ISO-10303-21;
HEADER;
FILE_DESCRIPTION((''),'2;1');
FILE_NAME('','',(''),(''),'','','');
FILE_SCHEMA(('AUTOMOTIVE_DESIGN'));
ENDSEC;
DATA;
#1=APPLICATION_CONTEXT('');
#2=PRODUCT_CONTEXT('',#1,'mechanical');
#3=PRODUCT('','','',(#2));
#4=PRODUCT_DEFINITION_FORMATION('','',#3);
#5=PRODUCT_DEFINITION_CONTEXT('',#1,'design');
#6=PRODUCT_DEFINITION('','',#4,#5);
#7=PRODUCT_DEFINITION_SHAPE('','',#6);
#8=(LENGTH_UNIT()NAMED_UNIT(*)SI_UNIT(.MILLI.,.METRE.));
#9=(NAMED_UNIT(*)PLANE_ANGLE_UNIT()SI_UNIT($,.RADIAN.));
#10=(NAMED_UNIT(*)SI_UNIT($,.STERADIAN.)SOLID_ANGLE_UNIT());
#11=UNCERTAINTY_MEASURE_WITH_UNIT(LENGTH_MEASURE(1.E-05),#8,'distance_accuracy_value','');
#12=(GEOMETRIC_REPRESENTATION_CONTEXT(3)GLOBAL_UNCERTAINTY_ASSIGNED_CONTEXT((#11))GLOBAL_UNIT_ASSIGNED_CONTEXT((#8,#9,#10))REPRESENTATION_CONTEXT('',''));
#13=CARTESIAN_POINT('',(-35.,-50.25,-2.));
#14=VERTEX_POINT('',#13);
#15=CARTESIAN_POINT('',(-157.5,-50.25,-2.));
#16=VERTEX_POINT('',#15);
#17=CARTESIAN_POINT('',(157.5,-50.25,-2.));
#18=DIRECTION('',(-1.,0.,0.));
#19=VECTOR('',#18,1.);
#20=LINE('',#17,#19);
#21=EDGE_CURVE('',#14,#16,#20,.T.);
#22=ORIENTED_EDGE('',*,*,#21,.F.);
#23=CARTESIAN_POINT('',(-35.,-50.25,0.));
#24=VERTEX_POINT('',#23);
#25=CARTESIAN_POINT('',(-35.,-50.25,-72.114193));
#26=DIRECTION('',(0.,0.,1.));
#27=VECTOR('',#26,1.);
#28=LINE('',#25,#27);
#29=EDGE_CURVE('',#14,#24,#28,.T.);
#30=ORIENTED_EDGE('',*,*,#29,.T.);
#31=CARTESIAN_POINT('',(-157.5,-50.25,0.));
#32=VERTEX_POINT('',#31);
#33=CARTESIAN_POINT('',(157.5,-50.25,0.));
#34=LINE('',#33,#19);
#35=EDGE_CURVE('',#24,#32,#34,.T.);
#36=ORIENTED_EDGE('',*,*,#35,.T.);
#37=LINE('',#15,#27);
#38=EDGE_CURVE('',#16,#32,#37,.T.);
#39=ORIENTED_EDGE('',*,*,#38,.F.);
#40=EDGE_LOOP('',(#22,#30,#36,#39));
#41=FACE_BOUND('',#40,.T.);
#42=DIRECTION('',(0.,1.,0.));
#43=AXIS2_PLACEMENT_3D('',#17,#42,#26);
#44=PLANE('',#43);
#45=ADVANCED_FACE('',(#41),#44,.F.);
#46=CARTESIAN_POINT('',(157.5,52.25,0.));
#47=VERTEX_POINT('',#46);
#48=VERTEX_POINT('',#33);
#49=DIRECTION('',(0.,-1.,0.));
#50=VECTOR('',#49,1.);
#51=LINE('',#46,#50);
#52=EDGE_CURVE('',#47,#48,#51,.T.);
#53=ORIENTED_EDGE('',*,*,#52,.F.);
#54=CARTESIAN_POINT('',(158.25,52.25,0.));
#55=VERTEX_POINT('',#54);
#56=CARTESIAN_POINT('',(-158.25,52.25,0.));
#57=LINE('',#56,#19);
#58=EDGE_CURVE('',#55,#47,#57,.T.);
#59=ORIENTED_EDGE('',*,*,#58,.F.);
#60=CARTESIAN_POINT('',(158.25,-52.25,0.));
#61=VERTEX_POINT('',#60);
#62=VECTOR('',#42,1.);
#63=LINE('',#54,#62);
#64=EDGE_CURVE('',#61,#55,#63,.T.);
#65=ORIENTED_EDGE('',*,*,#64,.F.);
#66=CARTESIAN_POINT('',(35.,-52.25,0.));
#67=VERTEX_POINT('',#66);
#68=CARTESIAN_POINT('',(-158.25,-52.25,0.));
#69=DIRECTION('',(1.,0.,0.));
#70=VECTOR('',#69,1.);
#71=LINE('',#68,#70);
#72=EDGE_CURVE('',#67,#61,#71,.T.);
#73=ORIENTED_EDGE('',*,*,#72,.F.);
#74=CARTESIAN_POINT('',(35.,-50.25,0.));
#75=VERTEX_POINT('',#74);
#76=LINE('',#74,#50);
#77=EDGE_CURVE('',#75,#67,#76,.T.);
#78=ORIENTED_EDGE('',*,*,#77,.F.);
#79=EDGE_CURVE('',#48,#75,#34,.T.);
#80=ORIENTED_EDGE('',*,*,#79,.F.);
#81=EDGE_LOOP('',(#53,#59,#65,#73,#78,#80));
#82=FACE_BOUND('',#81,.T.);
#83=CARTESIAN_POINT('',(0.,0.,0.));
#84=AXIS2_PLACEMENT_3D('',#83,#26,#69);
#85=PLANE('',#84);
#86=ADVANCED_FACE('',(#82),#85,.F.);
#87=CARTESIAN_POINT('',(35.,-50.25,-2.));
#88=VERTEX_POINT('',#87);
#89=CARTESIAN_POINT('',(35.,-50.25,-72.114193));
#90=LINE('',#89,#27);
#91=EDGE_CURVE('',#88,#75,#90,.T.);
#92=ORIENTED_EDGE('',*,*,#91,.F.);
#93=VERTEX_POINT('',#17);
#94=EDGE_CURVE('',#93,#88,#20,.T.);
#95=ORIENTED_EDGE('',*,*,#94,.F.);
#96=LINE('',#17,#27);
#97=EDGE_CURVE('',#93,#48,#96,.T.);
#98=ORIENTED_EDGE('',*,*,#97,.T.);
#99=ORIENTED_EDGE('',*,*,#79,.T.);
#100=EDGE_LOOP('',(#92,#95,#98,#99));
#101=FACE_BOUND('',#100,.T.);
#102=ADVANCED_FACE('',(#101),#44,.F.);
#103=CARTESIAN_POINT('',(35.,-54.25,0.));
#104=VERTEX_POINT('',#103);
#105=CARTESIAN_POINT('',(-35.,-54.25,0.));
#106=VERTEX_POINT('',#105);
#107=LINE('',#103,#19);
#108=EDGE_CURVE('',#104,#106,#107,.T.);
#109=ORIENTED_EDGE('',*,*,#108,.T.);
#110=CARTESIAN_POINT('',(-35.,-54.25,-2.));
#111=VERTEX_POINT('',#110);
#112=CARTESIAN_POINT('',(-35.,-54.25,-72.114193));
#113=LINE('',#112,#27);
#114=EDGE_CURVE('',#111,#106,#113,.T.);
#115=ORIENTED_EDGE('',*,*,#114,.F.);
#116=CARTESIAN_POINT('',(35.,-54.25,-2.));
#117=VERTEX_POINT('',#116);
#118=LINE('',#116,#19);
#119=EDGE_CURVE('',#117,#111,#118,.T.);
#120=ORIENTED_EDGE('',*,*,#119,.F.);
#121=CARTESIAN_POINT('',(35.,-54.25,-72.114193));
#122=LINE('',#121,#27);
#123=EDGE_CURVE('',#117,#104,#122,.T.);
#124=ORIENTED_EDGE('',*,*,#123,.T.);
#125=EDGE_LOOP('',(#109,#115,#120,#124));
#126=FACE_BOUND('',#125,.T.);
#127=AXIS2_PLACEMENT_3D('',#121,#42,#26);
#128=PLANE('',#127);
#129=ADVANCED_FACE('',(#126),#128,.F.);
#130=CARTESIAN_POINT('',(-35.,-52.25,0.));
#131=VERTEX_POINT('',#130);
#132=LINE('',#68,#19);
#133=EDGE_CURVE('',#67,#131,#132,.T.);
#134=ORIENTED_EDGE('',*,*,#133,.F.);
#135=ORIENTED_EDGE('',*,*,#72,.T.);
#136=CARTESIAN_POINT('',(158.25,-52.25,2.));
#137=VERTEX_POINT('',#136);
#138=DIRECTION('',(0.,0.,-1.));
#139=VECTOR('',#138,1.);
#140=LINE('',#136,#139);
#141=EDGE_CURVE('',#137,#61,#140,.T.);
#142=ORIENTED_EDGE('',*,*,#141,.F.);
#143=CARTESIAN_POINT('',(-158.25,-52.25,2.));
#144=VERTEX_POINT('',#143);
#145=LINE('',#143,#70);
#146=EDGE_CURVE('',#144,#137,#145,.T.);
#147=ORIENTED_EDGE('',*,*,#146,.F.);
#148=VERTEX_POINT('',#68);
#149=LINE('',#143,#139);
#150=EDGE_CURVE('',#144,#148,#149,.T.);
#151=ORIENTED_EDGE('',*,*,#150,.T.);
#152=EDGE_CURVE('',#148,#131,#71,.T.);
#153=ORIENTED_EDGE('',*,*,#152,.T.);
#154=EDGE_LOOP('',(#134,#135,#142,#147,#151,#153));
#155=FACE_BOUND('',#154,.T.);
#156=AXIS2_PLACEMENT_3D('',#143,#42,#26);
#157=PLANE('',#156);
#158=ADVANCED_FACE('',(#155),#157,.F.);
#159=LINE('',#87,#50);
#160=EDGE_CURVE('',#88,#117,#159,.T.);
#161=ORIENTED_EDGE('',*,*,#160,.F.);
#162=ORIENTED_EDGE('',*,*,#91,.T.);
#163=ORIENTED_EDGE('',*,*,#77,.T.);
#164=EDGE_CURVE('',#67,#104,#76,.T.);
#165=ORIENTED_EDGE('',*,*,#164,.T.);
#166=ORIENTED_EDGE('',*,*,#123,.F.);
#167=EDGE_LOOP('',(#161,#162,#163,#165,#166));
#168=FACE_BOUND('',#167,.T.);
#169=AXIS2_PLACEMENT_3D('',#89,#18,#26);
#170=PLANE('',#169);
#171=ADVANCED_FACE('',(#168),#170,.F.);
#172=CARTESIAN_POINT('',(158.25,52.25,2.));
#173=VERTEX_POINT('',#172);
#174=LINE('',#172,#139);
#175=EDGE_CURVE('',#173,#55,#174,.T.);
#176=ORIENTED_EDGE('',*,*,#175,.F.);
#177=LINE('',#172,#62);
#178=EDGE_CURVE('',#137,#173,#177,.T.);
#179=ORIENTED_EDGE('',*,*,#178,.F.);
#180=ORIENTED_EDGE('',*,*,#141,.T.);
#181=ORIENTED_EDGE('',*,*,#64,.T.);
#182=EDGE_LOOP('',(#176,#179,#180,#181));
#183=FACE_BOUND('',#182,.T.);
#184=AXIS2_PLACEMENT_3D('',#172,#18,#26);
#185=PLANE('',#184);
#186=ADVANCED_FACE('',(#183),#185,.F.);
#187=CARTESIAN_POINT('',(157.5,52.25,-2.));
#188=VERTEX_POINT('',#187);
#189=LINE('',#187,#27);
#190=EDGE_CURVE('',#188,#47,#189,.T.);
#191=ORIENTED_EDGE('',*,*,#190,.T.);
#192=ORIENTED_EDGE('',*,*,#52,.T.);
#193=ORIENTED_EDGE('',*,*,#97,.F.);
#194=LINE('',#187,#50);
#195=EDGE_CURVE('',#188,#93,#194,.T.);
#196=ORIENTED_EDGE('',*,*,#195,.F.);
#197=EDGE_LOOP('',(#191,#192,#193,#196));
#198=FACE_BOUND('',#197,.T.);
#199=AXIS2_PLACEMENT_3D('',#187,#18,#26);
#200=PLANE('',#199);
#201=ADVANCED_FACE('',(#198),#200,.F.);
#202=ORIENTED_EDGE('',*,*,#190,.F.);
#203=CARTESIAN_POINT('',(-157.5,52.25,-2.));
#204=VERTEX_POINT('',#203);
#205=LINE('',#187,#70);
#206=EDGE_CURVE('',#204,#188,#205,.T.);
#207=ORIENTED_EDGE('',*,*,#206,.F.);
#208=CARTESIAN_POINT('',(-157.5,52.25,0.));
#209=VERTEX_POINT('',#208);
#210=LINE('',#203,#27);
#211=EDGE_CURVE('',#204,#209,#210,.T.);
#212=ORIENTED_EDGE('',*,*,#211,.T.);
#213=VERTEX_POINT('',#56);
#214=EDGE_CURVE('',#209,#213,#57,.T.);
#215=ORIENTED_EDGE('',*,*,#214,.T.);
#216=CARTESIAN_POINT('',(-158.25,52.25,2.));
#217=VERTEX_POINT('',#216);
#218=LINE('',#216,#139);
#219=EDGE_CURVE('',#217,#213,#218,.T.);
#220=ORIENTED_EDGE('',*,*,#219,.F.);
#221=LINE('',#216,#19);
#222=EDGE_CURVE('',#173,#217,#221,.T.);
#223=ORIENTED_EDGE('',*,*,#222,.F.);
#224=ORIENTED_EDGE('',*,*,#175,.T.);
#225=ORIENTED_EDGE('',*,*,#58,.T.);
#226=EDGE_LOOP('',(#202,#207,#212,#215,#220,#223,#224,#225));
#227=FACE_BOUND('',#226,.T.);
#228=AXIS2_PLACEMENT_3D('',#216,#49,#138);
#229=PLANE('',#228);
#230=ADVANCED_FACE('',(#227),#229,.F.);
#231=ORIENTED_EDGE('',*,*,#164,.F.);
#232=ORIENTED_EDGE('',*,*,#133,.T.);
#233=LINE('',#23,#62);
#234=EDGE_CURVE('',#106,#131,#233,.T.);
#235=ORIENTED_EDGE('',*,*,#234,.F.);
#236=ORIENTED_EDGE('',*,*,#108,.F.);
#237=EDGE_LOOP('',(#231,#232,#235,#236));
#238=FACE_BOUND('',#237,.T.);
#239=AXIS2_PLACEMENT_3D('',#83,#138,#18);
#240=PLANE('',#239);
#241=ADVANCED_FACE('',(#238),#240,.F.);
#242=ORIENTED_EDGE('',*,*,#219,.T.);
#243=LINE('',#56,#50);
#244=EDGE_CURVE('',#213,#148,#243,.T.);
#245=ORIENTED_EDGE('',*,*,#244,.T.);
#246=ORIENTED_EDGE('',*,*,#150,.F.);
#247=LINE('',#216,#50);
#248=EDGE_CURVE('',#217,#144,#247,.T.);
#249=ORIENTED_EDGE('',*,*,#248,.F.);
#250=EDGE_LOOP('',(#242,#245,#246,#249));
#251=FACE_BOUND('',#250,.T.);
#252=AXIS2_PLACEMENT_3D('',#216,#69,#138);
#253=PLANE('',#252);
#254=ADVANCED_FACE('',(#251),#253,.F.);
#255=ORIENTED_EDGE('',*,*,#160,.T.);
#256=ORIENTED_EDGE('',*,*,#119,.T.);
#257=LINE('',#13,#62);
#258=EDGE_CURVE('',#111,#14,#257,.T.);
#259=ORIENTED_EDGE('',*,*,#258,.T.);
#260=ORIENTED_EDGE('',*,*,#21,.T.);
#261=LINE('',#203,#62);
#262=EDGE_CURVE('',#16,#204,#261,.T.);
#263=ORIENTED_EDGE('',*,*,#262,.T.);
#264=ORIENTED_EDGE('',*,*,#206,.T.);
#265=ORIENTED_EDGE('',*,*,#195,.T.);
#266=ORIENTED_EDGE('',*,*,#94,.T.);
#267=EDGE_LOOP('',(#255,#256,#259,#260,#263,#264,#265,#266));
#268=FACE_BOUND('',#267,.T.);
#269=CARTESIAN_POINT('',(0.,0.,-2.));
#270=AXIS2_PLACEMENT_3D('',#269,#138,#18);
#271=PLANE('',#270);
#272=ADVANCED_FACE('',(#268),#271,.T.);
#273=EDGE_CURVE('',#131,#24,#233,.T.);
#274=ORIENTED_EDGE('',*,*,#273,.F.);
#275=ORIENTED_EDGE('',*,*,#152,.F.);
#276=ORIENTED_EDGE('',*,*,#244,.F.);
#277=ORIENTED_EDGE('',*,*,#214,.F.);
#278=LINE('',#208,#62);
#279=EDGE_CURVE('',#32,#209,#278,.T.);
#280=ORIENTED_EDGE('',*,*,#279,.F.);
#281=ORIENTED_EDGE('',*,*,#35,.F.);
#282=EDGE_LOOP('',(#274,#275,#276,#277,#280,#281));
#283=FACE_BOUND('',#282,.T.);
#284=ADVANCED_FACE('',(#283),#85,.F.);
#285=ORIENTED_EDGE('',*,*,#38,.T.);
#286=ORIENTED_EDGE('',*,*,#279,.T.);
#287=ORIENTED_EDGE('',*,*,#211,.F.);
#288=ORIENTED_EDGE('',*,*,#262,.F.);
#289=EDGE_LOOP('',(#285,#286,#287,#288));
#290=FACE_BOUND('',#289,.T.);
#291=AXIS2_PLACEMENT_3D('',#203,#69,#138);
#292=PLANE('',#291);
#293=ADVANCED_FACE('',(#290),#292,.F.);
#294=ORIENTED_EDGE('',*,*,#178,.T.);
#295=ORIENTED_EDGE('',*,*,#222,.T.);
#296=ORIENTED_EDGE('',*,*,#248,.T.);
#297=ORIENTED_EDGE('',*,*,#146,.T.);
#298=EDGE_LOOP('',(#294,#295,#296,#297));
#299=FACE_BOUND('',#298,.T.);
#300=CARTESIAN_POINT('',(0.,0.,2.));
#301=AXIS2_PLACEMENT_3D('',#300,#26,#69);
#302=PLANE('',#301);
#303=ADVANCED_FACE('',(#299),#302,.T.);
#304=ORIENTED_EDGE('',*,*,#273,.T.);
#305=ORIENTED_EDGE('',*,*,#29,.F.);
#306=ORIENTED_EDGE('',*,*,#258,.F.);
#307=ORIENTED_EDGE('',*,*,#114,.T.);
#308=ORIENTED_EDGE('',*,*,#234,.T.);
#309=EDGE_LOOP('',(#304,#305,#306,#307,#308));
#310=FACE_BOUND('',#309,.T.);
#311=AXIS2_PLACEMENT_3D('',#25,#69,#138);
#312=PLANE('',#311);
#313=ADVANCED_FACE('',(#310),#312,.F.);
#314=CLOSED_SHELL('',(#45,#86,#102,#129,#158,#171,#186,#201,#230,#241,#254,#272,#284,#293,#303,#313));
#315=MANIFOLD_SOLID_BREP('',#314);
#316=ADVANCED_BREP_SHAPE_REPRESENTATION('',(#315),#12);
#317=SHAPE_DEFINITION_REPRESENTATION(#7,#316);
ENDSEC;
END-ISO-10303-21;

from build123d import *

# Parameters (mm, degrees)
SKETCH1_W                                    = 316.5
SKETCH1_H                                    = 104.5
DIGITIZER_DEPTH                              = 2
SKETCH2_W                                    = 315
SKETCH2_H                                    = 102.5
DISPLAY_WITHOUT_MARGIN_SINCE_USING_2MM_DEPTH = 2
SKETCH3_W                                    = 70
SKETCH3_H                                    = 4
DIGITIZER_CABLE_DEPTH                        = 2


with BuildPart() as part:
    # Sketch1 → DIGITIZER (new body)
    with BuildSketch(Plane.XY):
        Rectangle(SKETCH1_W, SKETCH1_H)
    extrude(amount=DIGITIZER_DEPTH)

    # Sketch2 → DISPLAY WITHOUT MARGIN SINCE USING .2MM ADHESIVE NOW (add)
    with BuildSketch(Plane(origin=(0, 0, 0), x_dir=(-1, 0, 0), z_dir=(0, 0, -1))):
        with Locations((0, 1)):
            Rectangle(SKETCH2_W, SKETCH2_H)
    extrude(amount=DISPLAY_WITHOUT_MARGIN_SINCE_USING_2MM_DEPTH)

    # Sketch3 → DIGITIZER CABLE (add)
    with BuildSketch(Plane(origin=(0, 0, 0), x_dir=(-1, 0, 0), z_dir=(0, 0, -1))):
        with Locations((0, -52.25)):
            Rectangle(SKETCH3_W, SKETCH3_H)
    extrude(amount=DIGITIZER_CABLE_DEPTH)


solid = part.part
